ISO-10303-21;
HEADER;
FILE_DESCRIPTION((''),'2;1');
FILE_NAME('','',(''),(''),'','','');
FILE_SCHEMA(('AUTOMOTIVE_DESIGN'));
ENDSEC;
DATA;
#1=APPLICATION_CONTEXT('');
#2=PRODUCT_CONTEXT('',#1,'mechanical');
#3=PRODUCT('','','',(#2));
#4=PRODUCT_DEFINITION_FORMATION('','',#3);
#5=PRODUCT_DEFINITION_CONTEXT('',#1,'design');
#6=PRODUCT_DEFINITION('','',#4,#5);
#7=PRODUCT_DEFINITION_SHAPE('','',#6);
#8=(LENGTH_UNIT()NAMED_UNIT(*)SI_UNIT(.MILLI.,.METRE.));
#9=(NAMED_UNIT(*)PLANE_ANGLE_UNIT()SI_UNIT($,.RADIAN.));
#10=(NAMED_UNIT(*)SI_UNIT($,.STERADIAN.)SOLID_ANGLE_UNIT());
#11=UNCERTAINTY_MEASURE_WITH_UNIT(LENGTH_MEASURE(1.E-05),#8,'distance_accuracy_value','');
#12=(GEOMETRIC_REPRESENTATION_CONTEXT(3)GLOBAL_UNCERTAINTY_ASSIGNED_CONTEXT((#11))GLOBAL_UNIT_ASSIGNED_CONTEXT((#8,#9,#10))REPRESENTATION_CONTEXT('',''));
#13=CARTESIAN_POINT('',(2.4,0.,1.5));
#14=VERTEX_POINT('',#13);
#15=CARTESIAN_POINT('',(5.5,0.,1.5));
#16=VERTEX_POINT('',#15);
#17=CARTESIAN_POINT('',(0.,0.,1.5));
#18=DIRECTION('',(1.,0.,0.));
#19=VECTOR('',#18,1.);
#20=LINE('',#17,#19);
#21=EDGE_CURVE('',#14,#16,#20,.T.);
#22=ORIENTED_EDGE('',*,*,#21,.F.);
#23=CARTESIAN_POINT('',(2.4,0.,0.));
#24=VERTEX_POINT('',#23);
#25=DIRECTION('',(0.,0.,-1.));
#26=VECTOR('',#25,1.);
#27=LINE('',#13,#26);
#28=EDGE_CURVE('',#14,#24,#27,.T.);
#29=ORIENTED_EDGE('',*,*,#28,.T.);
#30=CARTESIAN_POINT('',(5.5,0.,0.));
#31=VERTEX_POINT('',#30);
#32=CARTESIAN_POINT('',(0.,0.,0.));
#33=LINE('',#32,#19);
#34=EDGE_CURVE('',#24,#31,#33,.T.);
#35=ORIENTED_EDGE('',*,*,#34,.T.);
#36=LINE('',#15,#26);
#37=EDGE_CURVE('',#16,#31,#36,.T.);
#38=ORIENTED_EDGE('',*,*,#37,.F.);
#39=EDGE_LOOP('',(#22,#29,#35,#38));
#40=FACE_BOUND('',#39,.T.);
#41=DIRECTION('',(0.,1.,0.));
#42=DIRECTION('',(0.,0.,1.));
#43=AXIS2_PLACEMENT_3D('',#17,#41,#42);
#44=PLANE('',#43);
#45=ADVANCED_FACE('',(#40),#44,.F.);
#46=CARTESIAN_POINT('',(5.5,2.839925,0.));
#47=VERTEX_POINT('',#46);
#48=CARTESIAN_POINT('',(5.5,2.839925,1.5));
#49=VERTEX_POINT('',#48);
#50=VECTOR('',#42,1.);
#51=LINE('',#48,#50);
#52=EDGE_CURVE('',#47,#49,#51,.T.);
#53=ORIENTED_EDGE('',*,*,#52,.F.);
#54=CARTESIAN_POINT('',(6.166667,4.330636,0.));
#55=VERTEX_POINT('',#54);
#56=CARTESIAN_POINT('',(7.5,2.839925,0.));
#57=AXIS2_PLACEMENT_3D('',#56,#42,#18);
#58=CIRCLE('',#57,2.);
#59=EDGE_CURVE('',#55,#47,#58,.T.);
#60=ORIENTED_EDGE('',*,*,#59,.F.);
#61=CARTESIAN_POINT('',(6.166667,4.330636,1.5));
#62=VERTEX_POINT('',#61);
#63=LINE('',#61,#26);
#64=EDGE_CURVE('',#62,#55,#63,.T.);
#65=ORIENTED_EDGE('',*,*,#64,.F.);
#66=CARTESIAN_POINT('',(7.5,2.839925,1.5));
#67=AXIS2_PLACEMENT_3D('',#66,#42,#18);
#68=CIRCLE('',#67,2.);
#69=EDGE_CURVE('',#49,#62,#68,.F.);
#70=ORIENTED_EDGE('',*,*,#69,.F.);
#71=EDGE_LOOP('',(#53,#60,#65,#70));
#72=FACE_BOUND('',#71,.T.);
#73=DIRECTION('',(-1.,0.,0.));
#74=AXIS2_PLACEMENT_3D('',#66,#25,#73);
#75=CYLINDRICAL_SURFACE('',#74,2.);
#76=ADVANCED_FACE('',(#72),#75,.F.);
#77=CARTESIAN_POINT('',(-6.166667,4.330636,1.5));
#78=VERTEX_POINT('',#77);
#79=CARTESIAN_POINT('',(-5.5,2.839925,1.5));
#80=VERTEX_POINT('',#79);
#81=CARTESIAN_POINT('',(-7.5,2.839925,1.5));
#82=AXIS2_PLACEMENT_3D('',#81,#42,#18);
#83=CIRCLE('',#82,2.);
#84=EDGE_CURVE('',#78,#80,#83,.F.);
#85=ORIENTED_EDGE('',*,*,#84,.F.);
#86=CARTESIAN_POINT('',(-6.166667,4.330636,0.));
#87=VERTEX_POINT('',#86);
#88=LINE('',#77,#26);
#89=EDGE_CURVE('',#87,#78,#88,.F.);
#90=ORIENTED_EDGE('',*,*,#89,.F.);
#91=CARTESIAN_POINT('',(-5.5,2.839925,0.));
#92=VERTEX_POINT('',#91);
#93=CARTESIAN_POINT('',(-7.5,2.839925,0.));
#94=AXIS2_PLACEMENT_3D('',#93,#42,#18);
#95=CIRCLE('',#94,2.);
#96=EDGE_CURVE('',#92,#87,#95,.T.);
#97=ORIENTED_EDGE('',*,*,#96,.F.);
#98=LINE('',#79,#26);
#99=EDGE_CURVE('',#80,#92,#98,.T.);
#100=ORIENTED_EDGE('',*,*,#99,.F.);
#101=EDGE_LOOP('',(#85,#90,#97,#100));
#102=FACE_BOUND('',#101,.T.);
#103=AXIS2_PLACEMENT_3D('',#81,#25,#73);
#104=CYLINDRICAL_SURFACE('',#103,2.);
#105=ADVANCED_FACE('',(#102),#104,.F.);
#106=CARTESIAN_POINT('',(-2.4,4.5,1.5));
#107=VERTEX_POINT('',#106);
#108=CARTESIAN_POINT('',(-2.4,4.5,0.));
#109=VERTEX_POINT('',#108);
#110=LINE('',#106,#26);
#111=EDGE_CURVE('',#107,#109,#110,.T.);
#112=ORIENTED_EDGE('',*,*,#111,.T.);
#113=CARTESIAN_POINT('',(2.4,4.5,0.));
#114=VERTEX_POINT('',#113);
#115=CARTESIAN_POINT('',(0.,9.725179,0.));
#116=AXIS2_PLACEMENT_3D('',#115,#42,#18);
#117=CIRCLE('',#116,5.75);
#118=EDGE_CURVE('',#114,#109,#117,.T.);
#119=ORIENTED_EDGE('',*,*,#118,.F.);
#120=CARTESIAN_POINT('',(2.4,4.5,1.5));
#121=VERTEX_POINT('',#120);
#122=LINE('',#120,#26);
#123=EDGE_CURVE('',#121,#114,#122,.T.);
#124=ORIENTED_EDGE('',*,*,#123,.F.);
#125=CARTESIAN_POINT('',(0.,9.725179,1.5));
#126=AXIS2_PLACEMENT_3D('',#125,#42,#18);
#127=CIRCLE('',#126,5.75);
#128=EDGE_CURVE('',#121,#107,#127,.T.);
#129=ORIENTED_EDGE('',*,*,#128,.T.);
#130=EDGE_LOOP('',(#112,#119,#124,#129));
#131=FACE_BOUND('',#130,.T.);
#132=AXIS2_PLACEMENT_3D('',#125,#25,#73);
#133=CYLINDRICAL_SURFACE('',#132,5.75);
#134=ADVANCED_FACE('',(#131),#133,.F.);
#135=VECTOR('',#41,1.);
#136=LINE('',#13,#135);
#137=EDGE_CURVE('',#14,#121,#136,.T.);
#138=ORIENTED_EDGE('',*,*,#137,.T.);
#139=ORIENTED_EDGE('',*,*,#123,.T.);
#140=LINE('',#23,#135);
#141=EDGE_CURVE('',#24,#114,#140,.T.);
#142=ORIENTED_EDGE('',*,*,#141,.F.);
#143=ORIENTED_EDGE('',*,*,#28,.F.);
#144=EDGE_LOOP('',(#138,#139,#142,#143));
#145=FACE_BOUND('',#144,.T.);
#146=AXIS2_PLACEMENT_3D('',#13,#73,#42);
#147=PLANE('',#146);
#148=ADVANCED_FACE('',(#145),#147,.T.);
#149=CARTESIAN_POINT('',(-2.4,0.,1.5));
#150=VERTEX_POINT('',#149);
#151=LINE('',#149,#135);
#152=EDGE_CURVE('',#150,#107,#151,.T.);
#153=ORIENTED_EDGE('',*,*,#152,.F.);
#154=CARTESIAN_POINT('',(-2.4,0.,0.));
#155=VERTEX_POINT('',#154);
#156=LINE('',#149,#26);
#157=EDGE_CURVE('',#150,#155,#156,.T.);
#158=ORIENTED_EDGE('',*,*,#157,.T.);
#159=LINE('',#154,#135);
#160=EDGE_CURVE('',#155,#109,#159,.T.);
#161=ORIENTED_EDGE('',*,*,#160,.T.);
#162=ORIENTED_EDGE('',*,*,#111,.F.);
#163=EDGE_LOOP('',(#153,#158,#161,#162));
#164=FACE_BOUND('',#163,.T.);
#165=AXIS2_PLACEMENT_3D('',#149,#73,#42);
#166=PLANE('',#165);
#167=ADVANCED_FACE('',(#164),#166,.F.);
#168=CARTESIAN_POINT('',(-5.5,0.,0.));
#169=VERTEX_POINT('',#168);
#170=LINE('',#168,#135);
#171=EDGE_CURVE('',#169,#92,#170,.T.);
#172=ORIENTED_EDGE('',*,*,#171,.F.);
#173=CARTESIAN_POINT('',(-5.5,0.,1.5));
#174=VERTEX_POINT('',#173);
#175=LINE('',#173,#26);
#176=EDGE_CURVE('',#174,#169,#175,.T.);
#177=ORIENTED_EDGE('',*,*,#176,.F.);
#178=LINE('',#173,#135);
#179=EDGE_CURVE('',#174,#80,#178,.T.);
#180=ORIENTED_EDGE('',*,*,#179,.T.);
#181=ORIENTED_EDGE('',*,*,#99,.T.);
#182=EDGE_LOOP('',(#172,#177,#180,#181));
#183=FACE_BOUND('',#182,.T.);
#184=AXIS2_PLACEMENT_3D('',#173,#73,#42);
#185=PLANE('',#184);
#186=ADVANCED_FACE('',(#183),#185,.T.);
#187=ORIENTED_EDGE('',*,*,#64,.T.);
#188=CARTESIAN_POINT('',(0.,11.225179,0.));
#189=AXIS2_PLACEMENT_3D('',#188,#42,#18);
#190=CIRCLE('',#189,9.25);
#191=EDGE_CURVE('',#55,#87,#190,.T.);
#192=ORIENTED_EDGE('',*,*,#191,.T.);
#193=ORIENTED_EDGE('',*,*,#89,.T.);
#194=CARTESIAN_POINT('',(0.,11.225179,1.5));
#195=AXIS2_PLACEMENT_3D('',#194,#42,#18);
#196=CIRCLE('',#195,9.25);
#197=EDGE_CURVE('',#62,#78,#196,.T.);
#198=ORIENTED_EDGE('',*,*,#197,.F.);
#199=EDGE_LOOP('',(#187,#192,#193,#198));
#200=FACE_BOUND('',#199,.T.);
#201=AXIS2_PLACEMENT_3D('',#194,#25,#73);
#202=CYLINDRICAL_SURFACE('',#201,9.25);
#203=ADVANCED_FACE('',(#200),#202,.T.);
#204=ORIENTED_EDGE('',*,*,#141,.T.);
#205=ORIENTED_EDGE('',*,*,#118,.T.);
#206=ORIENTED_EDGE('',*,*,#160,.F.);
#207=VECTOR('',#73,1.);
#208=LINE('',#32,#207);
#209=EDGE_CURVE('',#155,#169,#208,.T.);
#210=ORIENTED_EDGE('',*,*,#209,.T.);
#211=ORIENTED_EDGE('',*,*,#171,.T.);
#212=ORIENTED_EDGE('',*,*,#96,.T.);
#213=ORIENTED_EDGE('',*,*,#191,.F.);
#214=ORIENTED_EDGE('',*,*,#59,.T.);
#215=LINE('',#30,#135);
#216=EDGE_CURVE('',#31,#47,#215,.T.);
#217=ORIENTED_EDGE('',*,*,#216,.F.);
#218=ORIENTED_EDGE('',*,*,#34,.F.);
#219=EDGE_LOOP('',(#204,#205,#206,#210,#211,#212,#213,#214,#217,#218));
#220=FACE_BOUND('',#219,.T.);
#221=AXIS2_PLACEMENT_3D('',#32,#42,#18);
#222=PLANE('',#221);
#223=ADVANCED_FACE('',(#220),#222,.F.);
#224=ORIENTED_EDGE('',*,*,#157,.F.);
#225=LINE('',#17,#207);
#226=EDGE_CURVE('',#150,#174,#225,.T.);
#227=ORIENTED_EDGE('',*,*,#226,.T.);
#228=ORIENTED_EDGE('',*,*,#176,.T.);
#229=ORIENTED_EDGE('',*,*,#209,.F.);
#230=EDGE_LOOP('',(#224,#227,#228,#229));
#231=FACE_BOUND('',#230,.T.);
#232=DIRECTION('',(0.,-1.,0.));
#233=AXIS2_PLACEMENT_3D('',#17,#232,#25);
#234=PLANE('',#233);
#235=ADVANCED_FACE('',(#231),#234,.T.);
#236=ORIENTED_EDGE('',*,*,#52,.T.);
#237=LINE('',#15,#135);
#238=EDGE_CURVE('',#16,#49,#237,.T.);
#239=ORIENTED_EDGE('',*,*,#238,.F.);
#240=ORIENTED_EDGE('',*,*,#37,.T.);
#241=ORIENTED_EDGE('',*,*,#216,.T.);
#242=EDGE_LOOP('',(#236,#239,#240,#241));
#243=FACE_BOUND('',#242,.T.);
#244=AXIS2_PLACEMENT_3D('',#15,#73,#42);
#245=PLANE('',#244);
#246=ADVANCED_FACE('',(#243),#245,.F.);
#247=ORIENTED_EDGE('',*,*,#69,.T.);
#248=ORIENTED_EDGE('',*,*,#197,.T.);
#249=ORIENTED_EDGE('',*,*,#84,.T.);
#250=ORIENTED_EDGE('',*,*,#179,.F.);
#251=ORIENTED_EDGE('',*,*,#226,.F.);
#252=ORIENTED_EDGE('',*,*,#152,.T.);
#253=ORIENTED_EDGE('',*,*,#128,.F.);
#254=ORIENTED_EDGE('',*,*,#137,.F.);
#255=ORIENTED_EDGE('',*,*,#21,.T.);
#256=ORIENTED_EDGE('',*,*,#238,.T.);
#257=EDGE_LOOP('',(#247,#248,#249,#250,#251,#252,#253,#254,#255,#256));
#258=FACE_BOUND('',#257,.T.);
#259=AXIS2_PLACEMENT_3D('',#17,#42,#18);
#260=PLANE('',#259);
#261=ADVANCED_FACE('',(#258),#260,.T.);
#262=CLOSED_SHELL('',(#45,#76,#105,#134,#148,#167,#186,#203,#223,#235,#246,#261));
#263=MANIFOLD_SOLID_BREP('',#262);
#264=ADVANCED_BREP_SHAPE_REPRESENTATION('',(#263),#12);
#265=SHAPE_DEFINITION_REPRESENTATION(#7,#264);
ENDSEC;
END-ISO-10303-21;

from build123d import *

# Parameters (mm, degrees)
BOSS_EXTRUDE1_DEPTH = 1.5
FILLET1_R           = 2


with BuildPart() as part:
    # Sketch1 → Boss-Extrude1 (new body)
    with BuildSketch(Plane.XY):
        with BuildLine():
            ThreePointArc((2.4, 4.5), (0, 15.475179423), (-2.4, 4.5))
            Line((-2.4, 4.5), (-2.4, 0))
            Line((-2.4, 0), (-5.5, 0))
            Line((-5.5, 0), (-5.5, 3.787942032))
            ThreePointArc((-5.5, 3.787942032), (0, 20.475179423), (5.5, 3.787942032))
            Line((5.5, 3.787942032), (5.5, 0))
            Line((5.5, 0), (2.4, 0))
            Line((2.4, 0), (2.4, 4.5))
        make_face()
    extrude(amount=BOSS_EXTRUDE1_DEPTH)

    # Fillet1
    fillet1_edges = [part.edges().sort_by_distance(p)[0] for p in [
        (-5.5, 3.787942032, 0.75),
        (5.5, 3.787942032, 0.75),
    ]]
    fillet(fillet1_edges, radius=FILLET1_R)


solid = part.part
